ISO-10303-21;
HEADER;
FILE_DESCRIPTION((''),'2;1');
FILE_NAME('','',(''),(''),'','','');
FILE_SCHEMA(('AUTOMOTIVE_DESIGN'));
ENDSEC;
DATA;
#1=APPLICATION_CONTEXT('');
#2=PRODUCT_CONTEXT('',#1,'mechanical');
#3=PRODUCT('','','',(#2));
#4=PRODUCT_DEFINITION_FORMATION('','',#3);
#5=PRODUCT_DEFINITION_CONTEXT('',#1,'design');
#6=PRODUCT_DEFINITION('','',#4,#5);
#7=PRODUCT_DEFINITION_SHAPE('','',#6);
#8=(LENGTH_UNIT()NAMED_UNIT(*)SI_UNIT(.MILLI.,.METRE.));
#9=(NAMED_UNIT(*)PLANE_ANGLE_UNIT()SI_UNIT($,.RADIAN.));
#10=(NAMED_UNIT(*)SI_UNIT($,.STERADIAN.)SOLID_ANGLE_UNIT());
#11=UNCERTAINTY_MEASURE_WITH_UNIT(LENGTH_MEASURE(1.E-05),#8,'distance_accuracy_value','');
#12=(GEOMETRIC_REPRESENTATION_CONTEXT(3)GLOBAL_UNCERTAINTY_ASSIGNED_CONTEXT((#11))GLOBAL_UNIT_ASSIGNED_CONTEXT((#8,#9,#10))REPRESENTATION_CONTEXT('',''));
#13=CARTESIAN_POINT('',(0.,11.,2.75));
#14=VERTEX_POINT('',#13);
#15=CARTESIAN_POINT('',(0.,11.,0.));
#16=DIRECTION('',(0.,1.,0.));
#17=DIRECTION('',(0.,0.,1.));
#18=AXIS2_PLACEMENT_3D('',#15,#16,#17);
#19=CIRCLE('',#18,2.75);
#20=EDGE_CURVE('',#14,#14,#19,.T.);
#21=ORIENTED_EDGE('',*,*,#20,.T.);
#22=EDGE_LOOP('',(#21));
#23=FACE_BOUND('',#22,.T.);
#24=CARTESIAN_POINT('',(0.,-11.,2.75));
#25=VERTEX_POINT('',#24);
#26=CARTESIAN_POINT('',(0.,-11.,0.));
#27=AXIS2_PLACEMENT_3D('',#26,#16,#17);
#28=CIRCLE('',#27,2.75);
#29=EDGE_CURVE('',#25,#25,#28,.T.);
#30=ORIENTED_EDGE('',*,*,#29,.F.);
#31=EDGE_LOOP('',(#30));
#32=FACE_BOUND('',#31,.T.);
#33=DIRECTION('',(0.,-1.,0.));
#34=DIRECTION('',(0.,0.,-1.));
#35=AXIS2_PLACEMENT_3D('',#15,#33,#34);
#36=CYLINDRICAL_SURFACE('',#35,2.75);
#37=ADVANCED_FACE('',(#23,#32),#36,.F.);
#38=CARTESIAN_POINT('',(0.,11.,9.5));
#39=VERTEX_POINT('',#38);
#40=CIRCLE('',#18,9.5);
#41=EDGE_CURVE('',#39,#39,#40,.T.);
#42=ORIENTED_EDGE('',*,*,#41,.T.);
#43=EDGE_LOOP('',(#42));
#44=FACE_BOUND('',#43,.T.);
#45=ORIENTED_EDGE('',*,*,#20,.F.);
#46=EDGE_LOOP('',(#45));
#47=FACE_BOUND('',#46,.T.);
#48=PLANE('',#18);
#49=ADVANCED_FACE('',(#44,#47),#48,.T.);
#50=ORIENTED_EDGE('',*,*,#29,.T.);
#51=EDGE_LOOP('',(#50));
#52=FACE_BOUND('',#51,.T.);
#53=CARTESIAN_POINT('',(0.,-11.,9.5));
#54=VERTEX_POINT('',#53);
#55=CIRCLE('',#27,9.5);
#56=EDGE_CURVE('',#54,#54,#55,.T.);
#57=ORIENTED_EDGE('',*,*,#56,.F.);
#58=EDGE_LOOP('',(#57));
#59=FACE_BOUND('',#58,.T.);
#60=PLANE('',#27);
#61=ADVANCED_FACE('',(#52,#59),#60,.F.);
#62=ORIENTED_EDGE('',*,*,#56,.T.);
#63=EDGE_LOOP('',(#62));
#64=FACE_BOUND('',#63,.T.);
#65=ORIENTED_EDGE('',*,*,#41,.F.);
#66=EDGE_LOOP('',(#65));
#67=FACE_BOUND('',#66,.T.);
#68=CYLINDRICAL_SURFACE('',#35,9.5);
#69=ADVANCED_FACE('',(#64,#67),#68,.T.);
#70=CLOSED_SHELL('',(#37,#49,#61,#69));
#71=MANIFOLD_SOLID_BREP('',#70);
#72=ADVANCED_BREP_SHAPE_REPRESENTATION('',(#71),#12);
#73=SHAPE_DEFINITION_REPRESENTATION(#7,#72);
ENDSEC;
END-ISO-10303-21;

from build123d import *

# Parameters (mm, degrees)
ESBO_O1_R                = 9.5
ESBO_O1_R_2              = 3.25
ESBO_O1_R_3              = 2.75
RESSALTO_EXTRUS_O1_DEPTH = 11


with BuildPart() as part:
    # Esboço1 → Ressalto-extrusão1 (new, symmetric)
    # profile 1 of 2: a face of its own
    with BuildSketch(Plane(origin=(0, 0, 0), x_dir=(1, 0, 0), z_dir=(0, 1, 0))):
        with Locations(Location((0, 0, 0), (0, 0, 270))):
            Circle(ESBO_O1_R)
        Circle(ESBO_O1_R_2, mode=Mode.SUBTRACT)
    # profile 2 of 2: a face of its own
    with BuildSketch(Plane(origin=(0, 0, 0), x_dir=(1, 0, 0), z_dir=(0, 1, 0))):
        Circle(ESBO_O1_R_2)
        with Locations(Location((0, 0, 0), (0, 0, 270))):
            Circle(ESBO_O1_R_3, mode=Mode.SUBTRACT)
    extrude(amount=RESSALTO_EXTRUS_O1_DEPTH, both=True)


solid = part.part
